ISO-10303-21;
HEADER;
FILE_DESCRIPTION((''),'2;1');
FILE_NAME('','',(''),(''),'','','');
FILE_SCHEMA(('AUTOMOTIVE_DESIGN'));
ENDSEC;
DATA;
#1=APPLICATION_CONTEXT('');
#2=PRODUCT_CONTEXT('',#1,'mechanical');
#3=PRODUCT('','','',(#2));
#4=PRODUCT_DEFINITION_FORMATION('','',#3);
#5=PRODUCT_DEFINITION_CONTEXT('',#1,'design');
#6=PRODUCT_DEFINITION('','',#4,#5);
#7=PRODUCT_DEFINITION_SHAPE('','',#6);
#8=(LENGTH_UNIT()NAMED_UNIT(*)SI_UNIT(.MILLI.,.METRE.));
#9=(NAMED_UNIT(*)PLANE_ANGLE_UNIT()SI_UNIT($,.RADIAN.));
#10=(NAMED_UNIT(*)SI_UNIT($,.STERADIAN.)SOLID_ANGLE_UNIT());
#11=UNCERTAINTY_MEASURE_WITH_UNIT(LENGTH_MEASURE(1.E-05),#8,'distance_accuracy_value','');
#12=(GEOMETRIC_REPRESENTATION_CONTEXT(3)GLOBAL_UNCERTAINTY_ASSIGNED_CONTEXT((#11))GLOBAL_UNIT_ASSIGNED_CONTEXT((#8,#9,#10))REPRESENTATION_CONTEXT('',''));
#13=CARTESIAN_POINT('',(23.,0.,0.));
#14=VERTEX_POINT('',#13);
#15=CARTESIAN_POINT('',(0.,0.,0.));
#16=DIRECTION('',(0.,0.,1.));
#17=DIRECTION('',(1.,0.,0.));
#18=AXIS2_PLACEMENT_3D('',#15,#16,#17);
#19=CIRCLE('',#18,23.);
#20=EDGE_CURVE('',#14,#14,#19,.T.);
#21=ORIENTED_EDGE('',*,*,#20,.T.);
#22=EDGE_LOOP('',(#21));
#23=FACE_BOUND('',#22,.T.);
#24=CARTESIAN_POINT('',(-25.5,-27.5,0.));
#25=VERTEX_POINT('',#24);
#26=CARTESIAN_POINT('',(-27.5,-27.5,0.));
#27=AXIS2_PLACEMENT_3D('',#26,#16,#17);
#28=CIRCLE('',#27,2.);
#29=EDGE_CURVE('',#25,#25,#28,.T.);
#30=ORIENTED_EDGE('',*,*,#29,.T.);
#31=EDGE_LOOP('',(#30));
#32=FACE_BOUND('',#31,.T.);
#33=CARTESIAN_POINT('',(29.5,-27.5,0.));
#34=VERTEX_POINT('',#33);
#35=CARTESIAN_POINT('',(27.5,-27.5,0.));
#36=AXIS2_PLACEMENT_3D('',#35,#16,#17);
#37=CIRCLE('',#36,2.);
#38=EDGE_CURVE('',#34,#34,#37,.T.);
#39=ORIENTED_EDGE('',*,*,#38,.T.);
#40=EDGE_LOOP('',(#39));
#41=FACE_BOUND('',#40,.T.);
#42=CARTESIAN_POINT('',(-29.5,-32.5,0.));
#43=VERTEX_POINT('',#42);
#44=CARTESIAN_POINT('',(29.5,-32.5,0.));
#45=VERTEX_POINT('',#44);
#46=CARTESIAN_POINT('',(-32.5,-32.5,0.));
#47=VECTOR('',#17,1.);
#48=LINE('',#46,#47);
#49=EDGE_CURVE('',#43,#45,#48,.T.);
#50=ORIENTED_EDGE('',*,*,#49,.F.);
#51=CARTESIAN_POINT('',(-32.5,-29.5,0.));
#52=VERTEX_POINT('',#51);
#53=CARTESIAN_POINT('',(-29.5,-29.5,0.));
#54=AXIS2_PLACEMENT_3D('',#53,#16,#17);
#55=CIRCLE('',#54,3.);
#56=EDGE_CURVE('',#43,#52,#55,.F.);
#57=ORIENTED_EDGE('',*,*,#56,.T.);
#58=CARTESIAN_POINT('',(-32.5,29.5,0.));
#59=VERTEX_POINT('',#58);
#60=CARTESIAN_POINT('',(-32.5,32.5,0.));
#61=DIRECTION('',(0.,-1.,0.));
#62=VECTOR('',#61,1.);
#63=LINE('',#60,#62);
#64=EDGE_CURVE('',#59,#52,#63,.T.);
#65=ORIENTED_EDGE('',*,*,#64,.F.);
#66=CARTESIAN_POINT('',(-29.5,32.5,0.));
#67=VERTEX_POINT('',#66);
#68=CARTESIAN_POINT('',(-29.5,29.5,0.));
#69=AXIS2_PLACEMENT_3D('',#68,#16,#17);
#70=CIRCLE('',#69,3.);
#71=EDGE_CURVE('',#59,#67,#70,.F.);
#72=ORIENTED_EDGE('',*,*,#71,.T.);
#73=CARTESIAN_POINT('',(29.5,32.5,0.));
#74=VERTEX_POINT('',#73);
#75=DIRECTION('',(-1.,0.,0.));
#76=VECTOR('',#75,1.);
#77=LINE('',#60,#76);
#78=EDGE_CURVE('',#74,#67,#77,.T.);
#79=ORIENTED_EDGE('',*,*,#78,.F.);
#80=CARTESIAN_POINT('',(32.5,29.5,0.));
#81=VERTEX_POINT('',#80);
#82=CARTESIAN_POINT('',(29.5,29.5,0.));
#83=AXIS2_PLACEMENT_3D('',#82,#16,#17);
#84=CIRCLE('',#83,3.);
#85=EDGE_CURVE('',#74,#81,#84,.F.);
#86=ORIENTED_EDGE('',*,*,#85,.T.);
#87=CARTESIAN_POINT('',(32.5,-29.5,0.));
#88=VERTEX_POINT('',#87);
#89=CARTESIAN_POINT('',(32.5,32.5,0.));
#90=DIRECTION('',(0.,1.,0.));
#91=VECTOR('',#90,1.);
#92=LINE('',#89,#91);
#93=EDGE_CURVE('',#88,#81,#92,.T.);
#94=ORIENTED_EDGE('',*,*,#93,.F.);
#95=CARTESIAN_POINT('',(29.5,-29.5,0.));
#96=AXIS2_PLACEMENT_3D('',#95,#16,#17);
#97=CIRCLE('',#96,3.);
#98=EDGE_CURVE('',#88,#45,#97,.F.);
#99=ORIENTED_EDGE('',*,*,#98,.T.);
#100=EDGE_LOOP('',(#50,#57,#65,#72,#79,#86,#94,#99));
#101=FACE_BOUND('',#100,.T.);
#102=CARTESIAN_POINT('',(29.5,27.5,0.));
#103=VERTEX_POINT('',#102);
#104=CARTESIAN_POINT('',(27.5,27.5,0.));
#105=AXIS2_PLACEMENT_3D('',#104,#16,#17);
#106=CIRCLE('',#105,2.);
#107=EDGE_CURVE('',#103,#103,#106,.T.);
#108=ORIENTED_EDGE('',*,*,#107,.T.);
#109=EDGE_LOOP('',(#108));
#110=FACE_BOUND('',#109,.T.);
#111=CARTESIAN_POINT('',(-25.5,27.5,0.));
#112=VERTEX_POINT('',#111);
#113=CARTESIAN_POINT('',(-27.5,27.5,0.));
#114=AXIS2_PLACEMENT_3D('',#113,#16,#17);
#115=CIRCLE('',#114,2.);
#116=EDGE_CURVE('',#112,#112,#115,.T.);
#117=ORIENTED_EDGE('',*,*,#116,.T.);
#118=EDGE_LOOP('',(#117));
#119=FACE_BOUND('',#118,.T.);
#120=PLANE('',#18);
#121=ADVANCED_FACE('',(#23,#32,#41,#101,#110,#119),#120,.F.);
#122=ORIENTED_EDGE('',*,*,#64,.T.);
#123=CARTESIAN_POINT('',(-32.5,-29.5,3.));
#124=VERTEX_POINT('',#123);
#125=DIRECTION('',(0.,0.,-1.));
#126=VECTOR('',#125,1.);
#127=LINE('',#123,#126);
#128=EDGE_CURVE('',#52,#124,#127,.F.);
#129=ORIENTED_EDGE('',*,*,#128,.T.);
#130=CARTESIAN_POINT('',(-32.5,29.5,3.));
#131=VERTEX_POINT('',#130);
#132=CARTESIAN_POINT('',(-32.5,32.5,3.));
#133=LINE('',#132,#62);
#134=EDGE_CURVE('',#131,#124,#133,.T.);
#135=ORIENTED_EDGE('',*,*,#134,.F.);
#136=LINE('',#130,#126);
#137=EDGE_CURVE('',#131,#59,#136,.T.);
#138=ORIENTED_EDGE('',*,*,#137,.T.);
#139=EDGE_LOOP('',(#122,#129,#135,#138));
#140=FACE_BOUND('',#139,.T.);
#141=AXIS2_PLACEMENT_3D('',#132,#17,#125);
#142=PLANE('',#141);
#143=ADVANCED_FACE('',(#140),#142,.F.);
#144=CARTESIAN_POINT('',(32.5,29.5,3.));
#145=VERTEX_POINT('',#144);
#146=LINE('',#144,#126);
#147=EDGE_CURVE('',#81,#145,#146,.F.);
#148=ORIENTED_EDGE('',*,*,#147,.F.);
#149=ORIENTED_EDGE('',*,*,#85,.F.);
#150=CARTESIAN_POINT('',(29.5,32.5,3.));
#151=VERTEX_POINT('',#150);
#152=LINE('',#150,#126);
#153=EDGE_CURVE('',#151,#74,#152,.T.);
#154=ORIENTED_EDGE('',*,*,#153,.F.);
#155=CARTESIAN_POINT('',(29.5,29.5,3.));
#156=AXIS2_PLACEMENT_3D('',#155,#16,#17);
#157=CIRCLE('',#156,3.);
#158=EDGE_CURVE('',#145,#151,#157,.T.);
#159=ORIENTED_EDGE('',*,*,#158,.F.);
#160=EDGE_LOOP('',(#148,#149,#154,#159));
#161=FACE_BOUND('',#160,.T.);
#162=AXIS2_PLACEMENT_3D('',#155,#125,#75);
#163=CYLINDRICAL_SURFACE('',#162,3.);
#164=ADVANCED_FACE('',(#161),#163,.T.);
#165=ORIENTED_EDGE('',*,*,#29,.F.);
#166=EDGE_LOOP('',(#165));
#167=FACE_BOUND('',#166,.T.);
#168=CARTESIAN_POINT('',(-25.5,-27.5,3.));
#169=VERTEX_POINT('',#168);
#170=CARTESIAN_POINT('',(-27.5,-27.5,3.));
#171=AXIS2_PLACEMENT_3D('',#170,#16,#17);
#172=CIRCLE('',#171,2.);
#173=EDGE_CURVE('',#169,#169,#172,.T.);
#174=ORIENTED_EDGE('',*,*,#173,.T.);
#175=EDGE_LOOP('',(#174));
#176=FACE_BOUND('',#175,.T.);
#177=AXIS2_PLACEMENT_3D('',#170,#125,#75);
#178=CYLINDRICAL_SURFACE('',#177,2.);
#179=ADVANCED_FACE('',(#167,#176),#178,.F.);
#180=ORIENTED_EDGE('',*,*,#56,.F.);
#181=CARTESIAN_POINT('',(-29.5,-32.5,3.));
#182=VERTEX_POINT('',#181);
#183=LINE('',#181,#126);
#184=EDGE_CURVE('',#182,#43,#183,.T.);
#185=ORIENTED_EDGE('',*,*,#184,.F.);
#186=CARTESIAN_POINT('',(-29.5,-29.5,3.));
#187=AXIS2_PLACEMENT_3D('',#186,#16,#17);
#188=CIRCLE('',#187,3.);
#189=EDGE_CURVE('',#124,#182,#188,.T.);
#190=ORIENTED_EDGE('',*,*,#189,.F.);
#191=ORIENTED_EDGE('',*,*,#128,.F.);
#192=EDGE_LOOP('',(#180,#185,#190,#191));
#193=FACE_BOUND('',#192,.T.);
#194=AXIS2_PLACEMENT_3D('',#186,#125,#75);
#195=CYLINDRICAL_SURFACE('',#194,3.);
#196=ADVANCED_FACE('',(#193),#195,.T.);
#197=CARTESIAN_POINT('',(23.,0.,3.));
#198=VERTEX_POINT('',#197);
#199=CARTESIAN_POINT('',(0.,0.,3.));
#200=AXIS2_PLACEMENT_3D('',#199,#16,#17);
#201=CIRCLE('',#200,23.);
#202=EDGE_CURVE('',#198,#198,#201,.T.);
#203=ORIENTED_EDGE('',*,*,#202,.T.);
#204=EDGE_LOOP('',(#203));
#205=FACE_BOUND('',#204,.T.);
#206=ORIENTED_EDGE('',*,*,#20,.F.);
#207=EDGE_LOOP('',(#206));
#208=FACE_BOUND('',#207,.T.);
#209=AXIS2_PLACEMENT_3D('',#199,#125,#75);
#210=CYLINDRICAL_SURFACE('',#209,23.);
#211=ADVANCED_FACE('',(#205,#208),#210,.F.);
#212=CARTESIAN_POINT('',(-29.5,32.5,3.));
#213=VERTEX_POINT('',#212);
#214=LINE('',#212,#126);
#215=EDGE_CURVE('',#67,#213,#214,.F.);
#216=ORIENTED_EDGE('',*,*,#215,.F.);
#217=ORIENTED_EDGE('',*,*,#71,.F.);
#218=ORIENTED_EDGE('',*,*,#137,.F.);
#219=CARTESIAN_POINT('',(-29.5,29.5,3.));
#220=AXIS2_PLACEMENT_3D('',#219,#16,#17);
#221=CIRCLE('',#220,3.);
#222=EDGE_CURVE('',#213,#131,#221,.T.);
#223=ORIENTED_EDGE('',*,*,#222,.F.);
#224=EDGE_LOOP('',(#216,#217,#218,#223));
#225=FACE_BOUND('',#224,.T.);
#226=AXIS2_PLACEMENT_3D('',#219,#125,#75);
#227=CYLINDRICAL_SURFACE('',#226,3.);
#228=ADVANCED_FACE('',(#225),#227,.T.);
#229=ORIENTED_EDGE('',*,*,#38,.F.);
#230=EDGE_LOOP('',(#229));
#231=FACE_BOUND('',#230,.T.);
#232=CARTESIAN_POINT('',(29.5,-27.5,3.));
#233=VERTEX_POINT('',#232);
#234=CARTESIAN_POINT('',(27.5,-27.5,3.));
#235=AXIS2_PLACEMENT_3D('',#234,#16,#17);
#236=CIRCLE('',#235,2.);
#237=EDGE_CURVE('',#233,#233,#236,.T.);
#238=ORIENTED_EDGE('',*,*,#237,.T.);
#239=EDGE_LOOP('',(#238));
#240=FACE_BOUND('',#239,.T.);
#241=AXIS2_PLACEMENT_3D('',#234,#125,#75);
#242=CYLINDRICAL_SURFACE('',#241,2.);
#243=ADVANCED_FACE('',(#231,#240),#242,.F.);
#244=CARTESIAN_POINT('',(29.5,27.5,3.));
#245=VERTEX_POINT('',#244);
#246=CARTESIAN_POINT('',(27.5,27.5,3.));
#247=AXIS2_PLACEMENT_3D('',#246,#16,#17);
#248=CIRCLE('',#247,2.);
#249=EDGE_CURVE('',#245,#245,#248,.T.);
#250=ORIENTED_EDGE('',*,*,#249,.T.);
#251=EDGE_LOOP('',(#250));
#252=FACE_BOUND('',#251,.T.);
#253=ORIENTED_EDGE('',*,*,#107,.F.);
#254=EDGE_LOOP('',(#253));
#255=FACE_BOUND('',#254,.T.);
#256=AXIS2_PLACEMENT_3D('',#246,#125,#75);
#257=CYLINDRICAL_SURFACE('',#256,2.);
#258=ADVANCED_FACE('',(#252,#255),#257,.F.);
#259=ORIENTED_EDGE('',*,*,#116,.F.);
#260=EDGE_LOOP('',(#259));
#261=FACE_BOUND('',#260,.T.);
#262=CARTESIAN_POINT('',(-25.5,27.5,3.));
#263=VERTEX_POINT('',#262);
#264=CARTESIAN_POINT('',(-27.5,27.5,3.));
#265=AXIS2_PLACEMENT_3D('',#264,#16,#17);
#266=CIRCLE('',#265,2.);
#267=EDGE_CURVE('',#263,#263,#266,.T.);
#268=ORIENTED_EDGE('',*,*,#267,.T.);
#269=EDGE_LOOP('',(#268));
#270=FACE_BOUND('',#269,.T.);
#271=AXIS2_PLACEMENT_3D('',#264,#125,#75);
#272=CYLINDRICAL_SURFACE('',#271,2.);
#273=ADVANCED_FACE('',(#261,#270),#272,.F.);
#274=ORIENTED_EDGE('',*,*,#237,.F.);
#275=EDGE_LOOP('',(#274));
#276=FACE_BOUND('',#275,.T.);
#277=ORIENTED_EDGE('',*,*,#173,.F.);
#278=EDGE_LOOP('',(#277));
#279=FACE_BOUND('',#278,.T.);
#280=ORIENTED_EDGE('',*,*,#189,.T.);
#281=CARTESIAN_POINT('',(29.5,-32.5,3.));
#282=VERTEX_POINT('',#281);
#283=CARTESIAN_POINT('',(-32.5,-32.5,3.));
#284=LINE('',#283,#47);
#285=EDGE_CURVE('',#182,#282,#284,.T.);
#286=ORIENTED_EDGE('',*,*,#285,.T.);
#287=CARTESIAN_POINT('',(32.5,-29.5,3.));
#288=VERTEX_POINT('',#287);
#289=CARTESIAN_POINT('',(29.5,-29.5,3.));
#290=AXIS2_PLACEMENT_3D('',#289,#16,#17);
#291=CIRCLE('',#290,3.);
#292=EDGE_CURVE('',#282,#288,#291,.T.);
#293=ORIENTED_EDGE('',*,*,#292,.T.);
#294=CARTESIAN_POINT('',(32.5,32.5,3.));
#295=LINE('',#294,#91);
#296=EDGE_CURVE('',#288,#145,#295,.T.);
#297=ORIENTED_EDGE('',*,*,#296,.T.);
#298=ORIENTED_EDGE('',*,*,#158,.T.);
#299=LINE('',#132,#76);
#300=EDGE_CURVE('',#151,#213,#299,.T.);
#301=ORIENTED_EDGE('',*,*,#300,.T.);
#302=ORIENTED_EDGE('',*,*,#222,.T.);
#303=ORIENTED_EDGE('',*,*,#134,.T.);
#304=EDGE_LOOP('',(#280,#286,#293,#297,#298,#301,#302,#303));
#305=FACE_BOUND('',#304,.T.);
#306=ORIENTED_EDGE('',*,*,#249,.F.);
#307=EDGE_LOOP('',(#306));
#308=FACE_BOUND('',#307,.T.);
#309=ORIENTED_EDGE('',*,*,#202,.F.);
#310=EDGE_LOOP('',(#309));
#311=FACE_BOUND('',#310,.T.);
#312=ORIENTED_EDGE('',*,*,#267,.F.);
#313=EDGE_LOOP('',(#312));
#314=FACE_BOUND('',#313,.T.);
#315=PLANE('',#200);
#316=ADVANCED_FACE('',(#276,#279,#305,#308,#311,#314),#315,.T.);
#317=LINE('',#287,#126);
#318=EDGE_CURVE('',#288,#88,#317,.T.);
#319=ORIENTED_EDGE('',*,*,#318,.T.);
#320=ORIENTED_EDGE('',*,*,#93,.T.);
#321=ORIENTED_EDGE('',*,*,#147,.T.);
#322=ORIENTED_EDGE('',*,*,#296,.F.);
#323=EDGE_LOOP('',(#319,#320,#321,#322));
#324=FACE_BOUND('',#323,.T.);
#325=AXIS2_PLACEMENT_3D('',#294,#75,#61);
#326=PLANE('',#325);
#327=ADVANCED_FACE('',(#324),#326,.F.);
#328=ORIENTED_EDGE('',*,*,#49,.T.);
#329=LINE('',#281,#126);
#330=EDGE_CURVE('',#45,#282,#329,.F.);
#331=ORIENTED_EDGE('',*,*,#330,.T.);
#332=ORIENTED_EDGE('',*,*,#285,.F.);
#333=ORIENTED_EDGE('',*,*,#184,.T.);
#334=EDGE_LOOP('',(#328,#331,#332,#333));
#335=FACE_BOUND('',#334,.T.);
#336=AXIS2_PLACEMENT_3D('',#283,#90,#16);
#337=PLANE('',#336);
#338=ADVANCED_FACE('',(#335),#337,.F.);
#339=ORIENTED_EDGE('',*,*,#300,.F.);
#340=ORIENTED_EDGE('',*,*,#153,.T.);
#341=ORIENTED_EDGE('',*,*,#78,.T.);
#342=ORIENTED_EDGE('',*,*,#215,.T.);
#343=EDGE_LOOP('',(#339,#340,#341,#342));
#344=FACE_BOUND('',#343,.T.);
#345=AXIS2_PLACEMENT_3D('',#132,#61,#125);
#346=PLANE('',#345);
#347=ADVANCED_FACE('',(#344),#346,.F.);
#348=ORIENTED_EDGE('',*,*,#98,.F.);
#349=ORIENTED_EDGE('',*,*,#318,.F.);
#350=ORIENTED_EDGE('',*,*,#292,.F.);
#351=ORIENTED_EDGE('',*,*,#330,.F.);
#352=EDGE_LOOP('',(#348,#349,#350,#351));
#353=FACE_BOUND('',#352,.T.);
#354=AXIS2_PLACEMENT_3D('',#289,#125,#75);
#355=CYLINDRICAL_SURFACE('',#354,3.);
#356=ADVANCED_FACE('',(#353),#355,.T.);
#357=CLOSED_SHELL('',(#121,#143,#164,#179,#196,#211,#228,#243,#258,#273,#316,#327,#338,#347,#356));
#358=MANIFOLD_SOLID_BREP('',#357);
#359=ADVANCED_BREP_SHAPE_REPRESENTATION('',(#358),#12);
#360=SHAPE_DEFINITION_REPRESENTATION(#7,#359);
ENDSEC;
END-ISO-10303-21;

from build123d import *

# Parameters (mm, degrees)
SKETCH_1_W      = 65
SKETCH_1_H      = 65
SKETCH_1_R      = 2
SKETCH_1_R_2    = 23
EXTRUDE_1_DEPTH = 3
FILLET_1_R      = 3


with BuildPart() as part:
    # 草图1 → 凸台-拉伸1 (new body)
    with BuildSketch(Plane.XY):
        Rectangle(SKETCH_1_W, SKETCH_1_H)
        with Locations((-27.5, 27.5)):
            Circle(SKETCH_1_R, mode=Mode.SUBTRACT)
        with Locations((27.5, 27.5)):
            Circle(SKETCH_1_R, mode=Mode.SUBTRACT)
        with Locations((27.5, -27.5)):
            Circle(SKETCH_1_R, mode=Mode.SUBTRACT)
        with Locations((-27.5, -27.5)):
            Circle(SKETCH_1_R, mode=Mode.SUBTRACT)
        Circle(SKETCH_1_R_2, mode=Mode.SUBTRACT)
    extrude(amount=EXTRUDE_1_DEPTH)

    # 圆角1
    fillet_1_edges = [part.edges().sort_by_distance(p)[0] for p in [
        (32.5, -32.5, 1.5),
        (-32.5, -32.5, 1.5),
        (-32.5, 32.5, 1.5),
        (32.5, 32.5, 1.5),
    ]]
    fillet(fillet_1_edges, radius=FILLET_1_R)


solid = part.part
